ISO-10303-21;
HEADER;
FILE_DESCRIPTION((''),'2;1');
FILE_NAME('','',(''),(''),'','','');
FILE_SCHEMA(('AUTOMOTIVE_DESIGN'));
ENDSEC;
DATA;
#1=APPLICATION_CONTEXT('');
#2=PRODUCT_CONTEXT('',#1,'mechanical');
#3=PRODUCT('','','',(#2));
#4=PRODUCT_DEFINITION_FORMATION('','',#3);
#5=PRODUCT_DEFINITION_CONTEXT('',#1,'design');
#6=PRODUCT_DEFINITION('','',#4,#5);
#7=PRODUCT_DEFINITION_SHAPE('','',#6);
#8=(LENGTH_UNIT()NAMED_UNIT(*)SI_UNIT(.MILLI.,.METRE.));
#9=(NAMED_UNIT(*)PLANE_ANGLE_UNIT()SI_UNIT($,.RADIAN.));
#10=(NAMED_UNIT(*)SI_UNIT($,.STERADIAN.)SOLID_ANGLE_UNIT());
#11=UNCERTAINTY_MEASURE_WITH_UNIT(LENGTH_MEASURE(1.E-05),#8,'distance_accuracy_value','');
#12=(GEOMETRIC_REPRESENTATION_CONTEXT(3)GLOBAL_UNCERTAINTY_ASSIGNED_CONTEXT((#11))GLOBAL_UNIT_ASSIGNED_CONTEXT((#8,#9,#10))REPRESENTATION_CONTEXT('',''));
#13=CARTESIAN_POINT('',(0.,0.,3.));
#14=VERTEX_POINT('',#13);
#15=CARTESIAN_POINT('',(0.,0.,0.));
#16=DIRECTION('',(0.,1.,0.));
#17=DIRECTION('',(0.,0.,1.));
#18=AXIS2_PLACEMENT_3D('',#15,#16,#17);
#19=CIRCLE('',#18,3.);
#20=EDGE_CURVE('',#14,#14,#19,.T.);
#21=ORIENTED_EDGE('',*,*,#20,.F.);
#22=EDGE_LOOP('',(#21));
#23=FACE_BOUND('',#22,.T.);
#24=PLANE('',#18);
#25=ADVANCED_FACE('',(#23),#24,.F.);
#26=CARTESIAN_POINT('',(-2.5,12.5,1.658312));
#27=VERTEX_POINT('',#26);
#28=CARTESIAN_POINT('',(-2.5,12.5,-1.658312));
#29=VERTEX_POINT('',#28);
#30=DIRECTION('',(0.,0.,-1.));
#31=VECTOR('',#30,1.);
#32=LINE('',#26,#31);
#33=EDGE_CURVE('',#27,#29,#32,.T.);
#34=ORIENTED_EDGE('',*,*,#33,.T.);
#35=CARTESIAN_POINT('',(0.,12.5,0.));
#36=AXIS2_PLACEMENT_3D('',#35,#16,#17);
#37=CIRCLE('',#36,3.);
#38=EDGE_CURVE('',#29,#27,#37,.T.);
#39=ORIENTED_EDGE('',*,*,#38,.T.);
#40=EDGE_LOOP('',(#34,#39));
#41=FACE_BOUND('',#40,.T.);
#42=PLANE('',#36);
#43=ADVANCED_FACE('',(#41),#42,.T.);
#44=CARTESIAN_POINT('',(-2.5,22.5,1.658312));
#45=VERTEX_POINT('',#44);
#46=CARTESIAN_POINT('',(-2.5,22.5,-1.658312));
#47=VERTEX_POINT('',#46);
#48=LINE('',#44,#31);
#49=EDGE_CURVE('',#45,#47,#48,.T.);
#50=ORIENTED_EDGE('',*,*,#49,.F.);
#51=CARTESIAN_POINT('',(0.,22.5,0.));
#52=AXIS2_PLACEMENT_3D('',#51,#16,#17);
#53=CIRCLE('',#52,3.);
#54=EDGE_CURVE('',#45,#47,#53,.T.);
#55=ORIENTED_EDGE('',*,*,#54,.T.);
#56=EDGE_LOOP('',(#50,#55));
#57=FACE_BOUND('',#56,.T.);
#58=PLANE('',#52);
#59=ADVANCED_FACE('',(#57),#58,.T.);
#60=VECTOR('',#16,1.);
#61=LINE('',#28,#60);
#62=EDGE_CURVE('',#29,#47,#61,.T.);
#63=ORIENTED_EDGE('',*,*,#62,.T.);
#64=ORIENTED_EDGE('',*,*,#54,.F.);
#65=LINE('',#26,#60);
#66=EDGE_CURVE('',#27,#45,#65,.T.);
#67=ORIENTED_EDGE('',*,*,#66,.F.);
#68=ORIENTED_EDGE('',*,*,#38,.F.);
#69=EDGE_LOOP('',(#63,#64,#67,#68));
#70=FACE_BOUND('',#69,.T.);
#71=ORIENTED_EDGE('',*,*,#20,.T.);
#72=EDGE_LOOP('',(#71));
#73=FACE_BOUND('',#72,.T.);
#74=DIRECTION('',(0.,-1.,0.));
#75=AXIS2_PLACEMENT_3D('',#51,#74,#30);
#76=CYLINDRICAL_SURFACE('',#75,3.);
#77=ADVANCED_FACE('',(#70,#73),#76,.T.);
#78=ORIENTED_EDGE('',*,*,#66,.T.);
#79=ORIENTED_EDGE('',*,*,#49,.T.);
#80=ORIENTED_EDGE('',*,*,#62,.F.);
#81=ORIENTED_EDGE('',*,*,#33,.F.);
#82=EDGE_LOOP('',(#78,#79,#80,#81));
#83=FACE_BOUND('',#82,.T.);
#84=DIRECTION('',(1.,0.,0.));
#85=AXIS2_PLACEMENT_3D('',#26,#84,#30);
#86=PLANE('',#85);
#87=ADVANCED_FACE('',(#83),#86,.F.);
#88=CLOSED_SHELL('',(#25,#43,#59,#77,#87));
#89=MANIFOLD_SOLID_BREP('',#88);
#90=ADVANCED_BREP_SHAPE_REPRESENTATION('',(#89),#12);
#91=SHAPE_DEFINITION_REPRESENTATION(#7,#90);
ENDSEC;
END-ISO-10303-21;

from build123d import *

# Parameters (mm, degrees)
SKETCH_1_R          = 3
EXTRUDE_1_DEPTH     = 22.5
CUT_EXTRUDE_START   = -10
CUT_EXTRUDE_1_DEPTH = 10


with BuildPart() as part:
    # 草图1 → 凸台-拉伸1 (new body)
    with BuildSketch(Plane(origin=(0, 0, 0), x_dir=(1, 0, 0), z_dir=(0, 1, 0))):
        with Locations(Location((0, 0, 0), (0, 0, 90))):
            Circle(SKETCH_1_R)
    extrude(amount=EXTRUDE_1_DEPTH)

    # 草图3 → 切除-拉伸1 (cut)
    with BuildSketch(Plane(origin=(0, 22.5, 0), x_dir=(1, 0, 0), z_dir=(0, 1, 0)).offset(CUT_EXTRUDE_START)):
        with BuildLine():
            Line((-2.5, -1.658312395), (-2.5, 1.658312395))
            ThreePointArc((-2.5, 1.658312395), (-3, 0), (-2.5, -1.658312395))
        make_face()
    extrude(amount=CUT_EXTRUDE_1_DEPTH, mode=Mode.SUBTRACT)


solid = part.part
